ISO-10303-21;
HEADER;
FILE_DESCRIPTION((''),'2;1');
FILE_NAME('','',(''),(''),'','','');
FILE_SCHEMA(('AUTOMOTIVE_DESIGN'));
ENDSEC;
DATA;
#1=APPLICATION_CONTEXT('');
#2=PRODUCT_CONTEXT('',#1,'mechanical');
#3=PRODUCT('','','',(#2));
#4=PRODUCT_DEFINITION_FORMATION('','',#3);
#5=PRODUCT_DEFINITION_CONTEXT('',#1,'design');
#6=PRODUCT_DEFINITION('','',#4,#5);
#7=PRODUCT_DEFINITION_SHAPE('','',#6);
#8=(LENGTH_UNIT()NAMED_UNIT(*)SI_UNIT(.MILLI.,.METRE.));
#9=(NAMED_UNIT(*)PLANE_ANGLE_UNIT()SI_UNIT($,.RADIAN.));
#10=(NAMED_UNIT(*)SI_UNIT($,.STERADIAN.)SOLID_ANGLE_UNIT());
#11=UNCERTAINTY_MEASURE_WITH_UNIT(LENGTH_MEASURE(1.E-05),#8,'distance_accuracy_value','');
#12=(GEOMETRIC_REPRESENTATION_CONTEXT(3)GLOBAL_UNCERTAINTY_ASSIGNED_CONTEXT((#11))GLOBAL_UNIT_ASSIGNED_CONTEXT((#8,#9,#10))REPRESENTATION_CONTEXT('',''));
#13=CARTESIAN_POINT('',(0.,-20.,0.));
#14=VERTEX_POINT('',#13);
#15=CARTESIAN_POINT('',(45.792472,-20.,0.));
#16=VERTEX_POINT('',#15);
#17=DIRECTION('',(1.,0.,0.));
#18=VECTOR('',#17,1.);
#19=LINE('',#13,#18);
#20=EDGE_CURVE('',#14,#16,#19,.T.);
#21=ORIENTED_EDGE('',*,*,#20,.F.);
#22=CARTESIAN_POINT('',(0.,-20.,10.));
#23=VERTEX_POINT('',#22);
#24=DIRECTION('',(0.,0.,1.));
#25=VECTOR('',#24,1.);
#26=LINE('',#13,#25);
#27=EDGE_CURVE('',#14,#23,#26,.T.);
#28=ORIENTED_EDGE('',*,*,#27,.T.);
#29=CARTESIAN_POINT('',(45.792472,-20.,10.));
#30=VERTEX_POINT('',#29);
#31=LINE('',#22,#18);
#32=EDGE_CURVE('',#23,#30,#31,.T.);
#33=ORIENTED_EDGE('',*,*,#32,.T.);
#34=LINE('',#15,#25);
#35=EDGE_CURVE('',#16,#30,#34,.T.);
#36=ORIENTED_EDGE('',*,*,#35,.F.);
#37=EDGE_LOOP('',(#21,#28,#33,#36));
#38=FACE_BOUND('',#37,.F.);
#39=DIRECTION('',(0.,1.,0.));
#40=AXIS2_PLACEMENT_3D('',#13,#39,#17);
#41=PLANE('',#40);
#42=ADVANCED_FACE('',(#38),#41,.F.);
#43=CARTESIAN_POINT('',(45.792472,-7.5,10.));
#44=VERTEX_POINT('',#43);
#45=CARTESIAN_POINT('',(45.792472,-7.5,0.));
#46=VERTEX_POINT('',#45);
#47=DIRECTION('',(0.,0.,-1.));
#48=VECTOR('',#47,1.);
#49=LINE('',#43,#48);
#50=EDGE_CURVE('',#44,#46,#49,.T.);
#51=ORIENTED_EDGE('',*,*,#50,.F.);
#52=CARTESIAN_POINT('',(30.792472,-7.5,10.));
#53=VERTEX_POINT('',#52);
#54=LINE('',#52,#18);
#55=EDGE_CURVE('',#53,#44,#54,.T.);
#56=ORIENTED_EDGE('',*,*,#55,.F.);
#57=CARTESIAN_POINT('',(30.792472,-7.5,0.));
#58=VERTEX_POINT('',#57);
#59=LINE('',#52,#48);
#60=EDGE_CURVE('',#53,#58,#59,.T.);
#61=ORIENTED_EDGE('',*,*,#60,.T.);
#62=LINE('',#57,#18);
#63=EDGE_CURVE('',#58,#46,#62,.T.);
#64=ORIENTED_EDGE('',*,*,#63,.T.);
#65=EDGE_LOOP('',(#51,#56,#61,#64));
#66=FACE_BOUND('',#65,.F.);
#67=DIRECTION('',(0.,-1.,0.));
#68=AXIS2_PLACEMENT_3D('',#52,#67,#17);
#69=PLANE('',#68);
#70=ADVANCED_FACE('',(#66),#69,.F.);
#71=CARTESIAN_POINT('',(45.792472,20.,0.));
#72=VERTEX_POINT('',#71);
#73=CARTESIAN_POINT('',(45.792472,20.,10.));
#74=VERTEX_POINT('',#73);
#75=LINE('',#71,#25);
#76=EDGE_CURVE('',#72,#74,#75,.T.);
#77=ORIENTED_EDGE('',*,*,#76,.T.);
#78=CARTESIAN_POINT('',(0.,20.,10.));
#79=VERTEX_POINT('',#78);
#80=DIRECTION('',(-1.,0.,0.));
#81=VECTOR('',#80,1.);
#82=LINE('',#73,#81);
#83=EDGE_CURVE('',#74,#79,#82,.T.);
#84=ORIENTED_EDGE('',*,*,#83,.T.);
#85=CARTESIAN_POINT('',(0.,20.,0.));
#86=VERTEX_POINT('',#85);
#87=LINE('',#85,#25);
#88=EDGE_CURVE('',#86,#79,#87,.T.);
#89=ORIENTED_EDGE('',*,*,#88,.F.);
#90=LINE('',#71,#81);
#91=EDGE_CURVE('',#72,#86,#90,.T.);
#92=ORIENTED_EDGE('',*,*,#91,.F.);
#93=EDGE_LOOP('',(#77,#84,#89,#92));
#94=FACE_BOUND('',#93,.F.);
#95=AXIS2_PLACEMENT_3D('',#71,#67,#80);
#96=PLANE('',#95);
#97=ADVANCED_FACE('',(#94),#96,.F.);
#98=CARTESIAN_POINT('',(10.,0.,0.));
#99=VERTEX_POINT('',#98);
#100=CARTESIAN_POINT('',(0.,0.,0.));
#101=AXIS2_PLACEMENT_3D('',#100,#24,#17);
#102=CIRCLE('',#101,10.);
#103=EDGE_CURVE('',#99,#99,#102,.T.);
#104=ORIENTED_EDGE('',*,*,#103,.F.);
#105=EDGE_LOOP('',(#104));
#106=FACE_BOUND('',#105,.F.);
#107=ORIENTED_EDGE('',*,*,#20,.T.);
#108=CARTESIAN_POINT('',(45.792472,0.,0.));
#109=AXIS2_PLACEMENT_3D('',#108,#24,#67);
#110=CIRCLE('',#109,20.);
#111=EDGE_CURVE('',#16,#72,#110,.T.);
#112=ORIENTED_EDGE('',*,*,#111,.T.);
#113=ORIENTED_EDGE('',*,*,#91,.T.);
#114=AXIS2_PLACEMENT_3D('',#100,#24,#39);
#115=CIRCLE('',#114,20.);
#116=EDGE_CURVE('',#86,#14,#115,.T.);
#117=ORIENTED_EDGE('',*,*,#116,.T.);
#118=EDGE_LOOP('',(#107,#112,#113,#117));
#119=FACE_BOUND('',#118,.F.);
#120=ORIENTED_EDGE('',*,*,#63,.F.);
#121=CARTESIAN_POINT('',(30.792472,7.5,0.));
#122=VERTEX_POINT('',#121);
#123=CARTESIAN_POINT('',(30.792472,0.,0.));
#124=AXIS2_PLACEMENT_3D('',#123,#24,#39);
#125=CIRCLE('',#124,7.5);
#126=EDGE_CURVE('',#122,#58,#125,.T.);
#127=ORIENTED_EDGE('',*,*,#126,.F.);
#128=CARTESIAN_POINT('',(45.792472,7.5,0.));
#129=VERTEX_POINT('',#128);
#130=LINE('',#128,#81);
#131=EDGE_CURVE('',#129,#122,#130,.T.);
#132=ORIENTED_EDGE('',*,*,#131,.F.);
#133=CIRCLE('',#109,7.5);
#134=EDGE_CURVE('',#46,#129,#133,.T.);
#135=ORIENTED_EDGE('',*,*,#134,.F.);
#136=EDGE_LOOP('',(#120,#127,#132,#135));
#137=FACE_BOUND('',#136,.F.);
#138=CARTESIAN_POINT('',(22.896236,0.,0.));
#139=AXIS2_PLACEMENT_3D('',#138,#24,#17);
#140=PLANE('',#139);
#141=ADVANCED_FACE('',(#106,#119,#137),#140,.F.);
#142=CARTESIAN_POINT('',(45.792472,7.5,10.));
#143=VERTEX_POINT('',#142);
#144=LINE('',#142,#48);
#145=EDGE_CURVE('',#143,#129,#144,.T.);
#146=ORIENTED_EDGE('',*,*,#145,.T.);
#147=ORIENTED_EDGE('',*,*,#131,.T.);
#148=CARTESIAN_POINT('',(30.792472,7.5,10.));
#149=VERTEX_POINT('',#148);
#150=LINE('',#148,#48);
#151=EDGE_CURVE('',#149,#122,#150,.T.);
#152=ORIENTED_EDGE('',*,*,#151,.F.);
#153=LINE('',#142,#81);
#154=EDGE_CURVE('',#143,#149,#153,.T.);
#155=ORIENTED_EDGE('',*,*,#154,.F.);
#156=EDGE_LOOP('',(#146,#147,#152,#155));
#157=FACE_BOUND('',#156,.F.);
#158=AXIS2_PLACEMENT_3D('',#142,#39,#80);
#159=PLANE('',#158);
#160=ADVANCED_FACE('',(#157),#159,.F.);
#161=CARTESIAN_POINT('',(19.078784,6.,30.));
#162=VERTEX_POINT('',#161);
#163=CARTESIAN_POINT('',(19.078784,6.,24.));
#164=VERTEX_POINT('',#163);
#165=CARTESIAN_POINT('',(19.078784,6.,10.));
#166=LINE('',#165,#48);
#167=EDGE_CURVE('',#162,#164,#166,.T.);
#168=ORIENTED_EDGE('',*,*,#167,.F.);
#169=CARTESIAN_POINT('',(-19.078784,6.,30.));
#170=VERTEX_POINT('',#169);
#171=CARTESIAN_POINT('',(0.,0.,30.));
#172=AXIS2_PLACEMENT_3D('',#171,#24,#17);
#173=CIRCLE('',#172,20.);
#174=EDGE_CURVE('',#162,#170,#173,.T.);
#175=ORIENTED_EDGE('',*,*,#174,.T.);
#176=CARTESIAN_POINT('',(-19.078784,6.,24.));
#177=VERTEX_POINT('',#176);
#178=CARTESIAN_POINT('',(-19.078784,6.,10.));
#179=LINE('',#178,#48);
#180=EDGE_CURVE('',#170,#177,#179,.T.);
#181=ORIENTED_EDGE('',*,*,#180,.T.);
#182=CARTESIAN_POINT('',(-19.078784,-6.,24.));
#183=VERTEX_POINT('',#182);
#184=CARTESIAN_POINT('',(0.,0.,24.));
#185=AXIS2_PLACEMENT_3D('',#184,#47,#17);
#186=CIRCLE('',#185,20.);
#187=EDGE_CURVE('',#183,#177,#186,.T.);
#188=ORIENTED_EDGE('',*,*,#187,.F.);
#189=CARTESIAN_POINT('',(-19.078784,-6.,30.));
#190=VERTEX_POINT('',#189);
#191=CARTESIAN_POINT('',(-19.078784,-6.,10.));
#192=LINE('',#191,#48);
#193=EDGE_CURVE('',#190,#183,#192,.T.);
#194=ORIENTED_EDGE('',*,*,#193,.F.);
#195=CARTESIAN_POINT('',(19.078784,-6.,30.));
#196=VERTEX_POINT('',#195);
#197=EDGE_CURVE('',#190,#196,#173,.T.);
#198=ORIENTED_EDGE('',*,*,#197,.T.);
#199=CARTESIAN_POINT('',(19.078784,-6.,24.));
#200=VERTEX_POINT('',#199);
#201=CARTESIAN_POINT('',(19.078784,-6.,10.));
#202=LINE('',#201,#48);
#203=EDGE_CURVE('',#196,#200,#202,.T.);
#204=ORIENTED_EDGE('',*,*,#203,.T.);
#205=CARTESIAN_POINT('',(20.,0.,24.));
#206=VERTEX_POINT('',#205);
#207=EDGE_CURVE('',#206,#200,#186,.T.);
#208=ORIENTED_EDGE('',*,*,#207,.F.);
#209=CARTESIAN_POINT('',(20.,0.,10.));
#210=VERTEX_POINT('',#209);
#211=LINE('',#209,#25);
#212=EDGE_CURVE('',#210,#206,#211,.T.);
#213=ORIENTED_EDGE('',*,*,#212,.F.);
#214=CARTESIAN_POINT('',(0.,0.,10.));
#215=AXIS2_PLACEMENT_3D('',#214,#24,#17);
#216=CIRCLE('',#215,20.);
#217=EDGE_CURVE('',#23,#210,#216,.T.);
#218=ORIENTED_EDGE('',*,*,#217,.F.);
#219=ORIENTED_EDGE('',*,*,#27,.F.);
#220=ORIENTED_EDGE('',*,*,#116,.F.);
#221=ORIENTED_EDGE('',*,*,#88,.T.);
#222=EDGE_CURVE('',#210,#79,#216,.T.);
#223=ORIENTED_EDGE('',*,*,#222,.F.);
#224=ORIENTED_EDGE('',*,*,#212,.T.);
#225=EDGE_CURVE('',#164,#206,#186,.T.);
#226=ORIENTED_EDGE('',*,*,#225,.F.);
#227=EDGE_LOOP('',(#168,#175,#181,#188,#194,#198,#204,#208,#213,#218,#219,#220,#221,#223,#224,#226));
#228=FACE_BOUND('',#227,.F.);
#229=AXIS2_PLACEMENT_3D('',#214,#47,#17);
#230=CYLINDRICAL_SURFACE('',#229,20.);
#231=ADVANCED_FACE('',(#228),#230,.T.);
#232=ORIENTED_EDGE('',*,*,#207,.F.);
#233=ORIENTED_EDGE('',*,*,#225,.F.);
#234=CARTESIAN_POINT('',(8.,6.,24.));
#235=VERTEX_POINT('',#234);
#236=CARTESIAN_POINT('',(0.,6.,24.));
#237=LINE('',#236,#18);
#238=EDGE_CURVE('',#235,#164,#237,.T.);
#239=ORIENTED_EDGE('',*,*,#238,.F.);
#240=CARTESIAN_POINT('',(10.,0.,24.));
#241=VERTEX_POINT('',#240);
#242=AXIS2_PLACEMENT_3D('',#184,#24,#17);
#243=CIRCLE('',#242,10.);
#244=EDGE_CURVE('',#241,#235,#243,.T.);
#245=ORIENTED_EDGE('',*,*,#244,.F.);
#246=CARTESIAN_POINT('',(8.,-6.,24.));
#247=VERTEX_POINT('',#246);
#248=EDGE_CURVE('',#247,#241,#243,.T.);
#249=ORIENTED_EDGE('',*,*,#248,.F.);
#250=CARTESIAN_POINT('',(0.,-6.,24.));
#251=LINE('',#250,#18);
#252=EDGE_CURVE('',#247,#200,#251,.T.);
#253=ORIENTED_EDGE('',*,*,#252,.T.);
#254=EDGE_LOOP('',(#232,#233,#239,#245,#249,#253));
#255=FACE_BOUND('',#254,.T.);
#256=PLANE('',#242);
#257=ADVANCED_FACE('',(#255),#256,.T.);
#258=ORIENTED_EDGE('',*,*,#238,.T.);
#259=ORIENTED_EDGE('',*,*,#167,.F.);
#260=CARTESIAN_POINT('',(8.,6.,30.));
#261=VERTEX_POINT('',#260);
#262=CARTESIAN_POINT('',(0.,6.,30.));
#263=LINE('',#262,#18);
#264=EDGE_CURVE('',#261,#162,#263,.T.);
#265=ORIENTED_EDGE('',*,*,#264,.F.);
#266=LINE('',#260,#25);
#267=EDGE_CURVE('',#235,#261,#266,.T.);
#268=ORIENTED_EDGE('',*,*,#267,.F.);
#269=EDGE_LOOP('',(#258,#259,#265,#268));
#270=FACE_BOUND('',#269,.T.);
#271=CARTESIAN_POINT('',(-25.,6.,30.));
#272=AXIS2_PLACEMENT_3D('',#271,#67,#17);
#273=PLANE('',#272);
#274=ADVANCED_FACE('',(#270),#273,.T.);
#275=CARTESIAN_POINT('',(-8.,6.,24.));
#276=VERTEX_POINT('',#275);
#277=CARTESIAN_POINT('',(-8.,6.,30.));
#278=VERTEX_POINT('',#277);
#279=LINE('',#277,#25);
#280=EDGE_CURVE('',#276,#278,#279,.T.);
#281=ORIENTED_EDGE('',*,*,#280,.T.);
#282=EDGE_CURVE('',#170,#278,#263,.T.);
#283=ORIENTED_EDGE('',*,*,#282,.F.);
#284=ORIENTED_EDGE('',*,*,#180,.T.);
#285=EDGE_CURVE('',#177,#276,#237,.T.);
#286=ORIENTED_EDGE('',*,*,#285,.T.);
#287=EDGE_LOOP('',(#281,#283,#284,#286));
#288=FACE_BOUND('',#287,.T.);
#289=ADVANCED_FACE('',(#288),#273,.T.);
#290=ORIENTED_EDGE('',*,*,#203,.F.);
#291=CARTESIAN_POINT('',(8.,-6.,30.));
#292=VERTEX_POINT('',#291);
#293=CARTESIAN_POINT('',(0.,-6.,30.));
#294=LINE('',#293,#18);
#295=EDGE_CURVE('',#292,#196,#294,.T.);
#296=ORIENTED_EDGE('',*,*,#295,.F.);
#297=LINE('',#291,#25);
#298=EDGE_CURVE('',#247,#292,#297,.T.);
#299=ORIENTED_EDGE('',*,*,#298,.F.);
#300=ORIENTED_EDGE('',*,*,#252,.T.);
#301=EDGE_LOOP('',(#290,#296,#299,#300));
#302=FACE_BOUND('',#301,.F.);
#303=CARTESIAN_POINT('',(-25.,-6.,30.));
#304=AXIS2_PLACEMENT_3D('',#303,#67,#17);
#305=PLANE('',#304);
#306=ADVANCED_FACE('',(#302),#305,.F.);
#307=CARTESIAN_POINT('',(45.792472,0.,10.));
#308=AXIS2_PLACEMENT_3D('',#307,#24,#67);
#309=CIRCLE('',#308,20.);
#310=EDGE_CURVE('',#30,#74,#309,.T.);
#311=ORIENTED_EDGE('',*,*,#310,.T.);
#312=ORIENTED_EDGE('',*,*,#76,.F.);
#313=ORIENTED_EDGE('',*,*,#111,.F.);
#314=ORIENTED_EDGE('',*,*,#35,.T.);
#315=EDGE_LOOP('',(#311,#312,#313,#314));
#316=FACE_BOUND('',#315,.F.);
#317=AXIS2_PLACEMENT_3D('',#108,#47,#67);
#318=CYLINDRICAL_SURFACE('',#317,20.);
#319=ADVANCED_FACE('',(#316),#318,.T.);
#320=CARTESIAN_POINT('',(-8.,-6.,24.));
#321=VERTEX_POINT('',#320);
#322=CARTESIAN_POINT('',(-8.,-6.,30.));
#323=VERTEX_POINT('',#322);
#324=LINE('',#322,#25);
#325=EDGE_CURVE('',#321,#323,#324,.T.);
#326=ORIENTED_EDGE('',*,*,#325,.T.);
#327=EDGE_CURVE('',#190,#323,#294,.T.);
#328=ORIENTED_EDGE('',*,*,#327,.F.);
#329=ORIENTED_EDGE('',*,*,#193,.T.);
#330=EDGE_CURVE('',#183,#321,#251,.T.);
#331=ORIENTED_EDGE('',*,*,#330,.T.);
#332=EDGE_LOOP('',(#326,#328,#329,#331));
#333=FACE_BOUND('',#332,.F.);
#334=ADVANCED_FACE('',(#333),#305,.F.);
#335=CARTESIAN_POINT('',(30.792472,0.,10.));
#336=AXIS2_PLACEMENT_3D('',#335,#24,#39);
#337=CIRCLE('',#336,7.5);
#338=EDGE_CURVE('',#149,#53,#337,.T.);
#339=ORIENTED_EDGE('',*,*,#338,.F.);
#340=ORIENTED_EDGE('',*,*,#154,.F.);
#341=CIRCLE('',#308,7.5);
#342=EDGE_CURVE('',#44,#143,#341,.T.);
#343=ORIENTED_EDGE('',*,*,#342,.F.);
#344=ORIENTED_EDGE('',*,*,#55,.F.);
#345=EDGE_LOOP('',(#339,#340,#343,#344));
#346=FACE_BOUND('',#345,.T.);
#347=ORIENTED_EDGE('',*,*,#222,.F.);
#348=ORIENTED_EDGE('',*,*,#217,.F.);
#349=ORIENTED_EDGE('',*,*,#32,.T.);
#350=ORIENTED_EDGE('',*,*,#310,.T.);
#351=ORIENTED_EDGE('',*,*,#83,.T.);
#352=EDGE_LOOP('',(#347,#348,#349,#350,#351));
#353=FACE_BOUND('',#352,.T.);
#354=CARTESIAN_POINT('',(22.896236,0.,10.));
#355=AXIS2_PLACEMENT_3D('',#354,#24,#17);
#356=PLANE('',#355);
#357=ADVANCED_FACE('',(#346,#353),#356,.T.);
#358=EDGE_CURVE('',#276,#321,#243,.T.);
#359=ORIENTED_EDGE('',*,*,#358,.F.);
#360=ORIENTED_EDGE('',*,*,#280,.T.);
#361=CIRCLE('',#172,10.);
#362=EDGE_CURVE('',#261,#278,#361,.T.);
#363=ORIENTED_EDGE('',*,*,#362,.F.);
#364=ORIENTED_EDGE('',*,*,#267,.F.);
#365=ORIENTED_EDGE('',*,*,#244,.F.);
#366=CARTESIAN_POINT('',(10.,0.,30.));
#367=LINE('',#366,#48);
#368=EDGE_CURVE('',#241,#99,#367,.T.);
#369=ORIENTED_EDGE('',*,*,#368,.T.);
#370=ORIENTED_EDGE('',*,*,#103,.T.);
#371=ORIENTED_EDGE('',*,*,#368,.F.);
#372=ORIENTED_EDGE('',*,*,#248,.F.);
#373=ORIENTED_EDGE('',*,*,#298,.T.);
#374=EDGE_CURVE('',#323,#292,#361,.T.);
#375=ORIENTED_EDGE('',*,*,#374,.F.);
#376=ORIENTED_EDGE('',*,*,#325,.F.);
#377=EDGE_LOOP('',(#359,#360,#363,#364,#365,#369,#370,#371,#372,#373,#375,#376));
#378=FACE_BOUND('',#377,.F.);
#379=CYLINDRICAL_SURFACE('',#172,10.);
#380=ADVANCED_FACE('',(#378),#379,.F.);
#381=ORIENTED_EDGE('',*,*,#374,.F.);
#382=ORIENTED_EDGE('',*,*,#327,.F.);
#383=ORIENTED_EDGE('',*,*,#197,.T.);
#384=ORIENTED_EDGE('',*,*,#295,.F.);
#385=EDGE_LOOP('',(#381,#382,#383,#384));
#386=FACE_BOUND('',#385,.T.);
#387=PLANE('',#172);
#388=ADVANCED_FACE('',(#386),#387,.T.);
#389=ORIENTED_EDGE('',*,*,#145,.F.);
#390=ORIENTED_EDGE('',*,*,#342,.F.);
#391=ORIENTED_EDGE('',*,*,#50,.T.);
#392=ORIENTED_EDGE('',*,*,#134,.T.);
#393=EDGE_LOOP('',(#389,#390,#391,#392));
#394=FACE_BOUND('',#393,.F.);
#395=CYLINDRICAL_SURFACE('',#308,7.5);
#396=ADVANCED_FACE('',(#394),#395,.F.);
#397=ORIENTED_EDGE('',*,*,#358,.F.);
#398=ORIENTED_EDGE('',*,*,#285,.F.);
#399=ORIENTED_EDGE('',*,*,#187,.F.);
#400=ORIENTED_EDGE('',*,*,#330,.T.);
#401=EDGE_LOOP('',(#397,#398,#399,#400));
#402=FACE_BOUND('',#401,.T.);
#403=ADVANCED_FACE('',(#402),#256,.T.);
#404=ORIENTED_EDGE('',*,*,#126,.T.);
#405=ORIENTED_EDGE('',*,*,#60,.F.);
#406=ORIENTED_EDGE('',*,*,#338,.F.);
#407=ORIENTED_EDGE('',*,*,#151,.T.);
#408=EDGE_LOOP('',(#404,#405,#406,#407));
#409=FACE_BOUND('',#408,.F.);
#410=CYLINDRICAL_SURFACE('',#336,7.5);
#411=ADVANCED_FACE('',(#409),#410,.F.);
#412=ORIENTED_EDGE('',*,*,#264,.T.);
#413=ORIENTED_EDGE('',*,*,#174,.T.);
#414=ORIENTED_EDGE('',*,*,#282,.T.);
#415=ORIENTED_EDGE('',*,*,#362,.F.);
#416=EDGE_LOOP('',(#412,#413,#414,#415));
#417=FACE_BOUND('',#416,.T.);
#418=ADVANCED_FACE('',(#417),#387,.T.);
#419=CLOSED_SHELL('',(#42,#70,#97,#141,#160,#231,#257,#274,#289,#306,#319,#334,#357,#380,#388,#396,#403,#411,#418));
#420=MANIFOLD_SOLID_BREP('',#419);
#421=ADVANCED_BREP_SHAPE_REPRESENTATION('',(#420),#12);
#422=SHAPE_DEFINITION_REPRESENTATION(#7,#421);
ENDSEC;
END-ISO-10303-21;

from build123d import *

# Parameters (mm, degrees)
F1_DEPTH = 10
F2_R     = 20
F3_DEPTH = 20
F4_R     = 10
F5_DEPTH = 58.8
F6_W     = 50
F6_H     = 12
F7_DEPTH = 6
F9_DEPTH = 10


with BuildPart() as f1:
    # F0 (on Top) → F1 (new body)
    with BuildSketch(Plane.XY):
        with BuildLine():
            Line((45.792472, 20), (0, 20))
            ThreePointArc((0, 20), (-20, 0), (0, -20))
            Line((0, -20), (45.792472, -20))
            ThreePointArc((45.792472, -20), (65.792472, 0), (45.792472, 20))
        make_face()
    extrude(amount=F1_DEPTH)

    # F2 (on face) → F3 (join)
    with BuildSketch(Plane.XY.offset(10)):
        Circle(F2_R)
    extrude(amount=F3_DEPTH)

    # F4 (on face) → F5 (cut)
    with BuildSketch(Plane.XY.offset(30)):
        Circle(F4_R)
    extrude(amount=-F5_DEPTH, mode=Mode.SUBTRACT)

    # F6 (on face) → F7 (cut)
    with BuildSketch(Plane.XY.offset(30)):
        Rectangle(F6_W, F6_H)
    extrude(amount=-F7_DEPTH, mode=Mode.SUBTRACT)

    # F8 (on face) → F9 (cut)
    with BuildSketch(Plane.XY.offset(10)):
        with BuildLine():
            Line((45.792472, 7.5), (30.792472, 7.5))
            ThreePointArc((30.792472, 7.5), (23.292472, 0), (30.792472, -7.5))
            Line((30.792472, -7.5), (45.792472, -7.5))
            ThreePointArc((45.792472, -7.5), (53.292472, 0), (45.792472, 7.5))
        make_face()
    extrude(amount=-F9_DEPTH, mode=Mode.SUBTRACT)


solid = f1.part
